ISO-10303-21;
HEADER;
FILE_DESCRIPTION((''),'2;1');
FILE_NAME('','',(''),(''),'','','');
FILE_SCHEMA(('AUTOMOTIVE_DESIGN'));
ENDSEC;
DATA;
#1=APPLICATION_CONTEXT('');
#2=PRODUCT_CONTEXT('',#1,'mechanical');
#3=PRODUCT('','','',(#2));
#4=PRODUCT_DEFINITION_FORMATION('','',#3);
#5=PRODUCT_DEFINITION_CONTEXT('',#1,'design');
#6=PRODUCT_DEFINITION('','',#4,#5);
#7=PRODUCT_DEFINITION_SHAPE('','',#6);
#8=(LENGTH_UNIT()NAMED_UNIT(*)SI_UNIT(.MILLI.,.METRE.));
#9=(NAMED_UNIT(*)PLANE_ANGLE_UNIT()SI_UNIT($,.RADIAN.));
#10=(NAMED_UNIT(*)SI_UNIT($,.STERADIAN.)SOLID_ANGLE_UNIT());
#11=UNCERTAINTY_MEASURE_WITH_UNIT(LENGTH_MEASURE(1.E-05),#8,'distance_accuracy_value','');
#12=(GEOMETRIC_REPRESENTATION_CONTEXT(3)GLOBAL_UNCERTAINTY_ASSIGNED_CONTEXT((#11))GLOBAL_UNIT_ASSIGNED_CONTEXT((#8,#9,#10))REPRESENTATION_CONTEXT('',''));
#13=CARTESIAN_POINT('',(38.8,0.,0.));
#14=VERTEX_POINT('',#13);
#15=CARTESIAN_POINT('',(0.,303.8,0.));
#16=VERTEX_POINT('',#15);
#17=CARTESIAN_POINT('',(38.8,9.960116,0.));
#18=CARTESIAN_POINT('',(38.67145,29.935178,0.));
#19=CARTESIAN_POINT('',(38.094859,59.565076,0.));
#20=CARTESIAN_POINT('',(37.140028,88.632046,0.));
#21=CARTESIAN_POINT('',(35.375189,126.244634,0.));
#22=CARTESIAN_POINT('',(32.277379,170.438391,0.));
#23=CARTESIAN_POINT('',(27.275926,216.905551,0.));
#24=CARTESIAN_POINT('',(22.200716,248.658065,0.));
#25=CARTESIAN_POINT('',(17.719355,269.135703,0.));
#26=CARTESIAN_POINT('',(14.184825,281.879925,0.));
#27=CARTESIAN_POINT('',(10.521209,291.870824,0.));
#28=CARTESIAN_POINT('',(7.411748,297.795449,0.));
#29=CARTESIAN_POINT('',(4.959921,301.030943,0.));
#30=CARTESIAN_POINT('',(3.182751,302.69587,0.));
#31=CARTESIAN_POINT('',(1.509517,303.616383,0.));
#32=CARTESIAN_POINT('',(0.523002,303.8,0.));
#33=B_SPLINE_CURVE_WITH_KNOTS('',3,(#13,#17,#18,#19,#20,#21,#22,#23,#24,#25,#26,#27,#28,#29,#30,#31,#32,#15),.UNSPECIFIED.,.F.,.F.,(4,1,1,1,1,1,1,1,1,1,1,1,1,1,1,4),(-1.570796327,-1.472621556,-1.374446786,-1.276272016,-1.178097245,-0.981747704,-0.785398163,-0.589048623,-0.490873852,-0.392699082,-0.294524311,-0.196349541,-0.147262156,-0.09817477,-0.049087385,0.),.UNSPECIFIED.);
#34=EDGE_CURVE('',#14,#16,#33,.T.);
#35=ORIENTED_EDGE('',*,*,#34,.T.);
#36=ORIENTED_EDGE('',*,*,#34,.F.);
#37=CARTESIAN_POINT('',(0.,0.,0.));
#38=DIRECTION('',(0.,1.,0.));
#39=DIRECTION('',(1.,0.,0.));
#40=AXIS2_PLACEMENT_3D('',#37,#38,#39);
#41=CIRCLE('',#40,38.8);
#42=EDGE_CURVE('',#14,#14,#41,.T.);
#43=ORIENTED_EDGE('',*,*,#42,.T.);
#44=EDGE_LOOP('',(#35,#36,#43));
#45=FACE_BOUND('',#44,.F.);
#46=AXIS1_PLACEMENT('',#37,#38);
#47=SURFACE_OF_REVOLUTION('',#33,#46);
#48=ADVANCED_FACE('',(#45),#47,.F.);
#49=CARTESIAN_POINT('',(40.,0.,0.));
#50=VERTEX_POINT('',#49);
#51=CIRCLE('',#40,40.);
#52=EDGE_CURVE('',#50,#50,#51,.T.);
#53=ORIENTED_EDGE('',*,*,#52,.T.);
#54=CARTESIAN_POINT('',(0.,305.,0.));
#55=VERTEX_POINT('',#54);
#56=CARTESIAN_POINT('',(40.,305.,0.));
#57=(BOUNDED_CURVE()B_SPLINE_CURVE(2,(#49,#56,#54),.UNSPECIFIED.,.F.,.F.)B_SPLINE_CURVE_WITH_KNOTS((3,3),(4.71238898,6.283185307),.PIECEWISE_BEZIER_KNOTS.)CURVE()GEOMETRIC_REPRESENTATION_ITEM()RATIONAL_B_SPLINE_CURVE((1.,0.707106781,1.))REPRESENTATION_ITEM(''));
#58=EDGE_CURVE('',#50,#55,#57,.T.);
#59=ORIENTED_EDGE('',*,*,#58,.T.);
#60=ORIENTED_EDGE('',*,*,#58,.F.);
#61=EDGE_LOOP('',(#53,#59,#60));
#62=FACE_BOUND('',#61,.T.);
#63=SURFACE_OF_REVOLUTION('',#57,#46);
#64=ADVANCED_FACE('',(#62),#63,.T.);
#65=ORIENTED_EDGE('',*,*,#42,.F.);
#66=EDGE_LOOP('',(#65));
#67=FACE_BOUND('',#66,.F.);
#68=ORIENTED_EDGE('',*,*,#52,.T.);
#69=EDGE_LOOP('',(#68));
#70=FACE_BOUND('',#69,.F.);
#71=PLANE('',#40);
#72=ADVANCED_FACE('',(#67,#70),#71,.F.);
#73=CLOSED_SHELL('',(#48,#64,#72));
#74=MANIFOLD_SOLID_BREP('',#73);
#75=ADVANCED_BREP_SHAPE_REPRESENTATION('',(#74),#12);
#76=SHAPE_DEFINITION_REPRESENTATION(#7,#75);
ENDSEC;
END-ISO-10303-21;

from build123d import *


with BuildPart() as part:
    # Croquis1 → Revolución1 (revolve)
    with BuildSketch(Plane.XY):
        with BuildLine():
            add(Edge.make_bspline(
                [(38.8, 0), (38.8, 9.96011632), (38.67145018, 29.935177825), (38.094859343, 59.565075974), (37.140028383, 88.632045999), (35.375188767, 126.244633967), (32.277379041, 170.438391327), (27.275926329, 216.905551348), (22.200716477, 248.658065048), (17.719355496, 269.135703201), (14.18482477, 281.879924995), (10.521209373, 291.870823581), (7.411748453, 297.79544932), (4.959920866, 301.03094325), (3.182750841, 302.695869879), (1.509516927, 303.616383263), (0.523002368, 303.8), (0, 303.8)],
                knots=[-1.570796327, -1.570796327, -1.570796327, -1.570796327, -1.472621556, -1.374446786, -1.276272016, -1.178097245, -0.981747704, -0.785398163, -0.589048623, -0.490873852, -0.392699082, -0.294524311, -0.196349541, -0.147262156, -0.09817477, -0.049087385, 0, 0, 0, 0], degree=3))
            Line((0, 303.8), (0, 305))
            add(Edge.make_bspline(
                [(40, 0), (40, 305), (0, 305)],
                knots=[4.71238898, 4.71238898, 4.71238898, 6.283185307, 6.283185307, 6.283185307], degree=2, weights=[1, 0.707106781, 1]))
            Line((40, 0), (38.8, 0))
        make_face()
    revolve(axis=Axis((0, 0, 0), (0, 1, 0)))


solid = part.part
